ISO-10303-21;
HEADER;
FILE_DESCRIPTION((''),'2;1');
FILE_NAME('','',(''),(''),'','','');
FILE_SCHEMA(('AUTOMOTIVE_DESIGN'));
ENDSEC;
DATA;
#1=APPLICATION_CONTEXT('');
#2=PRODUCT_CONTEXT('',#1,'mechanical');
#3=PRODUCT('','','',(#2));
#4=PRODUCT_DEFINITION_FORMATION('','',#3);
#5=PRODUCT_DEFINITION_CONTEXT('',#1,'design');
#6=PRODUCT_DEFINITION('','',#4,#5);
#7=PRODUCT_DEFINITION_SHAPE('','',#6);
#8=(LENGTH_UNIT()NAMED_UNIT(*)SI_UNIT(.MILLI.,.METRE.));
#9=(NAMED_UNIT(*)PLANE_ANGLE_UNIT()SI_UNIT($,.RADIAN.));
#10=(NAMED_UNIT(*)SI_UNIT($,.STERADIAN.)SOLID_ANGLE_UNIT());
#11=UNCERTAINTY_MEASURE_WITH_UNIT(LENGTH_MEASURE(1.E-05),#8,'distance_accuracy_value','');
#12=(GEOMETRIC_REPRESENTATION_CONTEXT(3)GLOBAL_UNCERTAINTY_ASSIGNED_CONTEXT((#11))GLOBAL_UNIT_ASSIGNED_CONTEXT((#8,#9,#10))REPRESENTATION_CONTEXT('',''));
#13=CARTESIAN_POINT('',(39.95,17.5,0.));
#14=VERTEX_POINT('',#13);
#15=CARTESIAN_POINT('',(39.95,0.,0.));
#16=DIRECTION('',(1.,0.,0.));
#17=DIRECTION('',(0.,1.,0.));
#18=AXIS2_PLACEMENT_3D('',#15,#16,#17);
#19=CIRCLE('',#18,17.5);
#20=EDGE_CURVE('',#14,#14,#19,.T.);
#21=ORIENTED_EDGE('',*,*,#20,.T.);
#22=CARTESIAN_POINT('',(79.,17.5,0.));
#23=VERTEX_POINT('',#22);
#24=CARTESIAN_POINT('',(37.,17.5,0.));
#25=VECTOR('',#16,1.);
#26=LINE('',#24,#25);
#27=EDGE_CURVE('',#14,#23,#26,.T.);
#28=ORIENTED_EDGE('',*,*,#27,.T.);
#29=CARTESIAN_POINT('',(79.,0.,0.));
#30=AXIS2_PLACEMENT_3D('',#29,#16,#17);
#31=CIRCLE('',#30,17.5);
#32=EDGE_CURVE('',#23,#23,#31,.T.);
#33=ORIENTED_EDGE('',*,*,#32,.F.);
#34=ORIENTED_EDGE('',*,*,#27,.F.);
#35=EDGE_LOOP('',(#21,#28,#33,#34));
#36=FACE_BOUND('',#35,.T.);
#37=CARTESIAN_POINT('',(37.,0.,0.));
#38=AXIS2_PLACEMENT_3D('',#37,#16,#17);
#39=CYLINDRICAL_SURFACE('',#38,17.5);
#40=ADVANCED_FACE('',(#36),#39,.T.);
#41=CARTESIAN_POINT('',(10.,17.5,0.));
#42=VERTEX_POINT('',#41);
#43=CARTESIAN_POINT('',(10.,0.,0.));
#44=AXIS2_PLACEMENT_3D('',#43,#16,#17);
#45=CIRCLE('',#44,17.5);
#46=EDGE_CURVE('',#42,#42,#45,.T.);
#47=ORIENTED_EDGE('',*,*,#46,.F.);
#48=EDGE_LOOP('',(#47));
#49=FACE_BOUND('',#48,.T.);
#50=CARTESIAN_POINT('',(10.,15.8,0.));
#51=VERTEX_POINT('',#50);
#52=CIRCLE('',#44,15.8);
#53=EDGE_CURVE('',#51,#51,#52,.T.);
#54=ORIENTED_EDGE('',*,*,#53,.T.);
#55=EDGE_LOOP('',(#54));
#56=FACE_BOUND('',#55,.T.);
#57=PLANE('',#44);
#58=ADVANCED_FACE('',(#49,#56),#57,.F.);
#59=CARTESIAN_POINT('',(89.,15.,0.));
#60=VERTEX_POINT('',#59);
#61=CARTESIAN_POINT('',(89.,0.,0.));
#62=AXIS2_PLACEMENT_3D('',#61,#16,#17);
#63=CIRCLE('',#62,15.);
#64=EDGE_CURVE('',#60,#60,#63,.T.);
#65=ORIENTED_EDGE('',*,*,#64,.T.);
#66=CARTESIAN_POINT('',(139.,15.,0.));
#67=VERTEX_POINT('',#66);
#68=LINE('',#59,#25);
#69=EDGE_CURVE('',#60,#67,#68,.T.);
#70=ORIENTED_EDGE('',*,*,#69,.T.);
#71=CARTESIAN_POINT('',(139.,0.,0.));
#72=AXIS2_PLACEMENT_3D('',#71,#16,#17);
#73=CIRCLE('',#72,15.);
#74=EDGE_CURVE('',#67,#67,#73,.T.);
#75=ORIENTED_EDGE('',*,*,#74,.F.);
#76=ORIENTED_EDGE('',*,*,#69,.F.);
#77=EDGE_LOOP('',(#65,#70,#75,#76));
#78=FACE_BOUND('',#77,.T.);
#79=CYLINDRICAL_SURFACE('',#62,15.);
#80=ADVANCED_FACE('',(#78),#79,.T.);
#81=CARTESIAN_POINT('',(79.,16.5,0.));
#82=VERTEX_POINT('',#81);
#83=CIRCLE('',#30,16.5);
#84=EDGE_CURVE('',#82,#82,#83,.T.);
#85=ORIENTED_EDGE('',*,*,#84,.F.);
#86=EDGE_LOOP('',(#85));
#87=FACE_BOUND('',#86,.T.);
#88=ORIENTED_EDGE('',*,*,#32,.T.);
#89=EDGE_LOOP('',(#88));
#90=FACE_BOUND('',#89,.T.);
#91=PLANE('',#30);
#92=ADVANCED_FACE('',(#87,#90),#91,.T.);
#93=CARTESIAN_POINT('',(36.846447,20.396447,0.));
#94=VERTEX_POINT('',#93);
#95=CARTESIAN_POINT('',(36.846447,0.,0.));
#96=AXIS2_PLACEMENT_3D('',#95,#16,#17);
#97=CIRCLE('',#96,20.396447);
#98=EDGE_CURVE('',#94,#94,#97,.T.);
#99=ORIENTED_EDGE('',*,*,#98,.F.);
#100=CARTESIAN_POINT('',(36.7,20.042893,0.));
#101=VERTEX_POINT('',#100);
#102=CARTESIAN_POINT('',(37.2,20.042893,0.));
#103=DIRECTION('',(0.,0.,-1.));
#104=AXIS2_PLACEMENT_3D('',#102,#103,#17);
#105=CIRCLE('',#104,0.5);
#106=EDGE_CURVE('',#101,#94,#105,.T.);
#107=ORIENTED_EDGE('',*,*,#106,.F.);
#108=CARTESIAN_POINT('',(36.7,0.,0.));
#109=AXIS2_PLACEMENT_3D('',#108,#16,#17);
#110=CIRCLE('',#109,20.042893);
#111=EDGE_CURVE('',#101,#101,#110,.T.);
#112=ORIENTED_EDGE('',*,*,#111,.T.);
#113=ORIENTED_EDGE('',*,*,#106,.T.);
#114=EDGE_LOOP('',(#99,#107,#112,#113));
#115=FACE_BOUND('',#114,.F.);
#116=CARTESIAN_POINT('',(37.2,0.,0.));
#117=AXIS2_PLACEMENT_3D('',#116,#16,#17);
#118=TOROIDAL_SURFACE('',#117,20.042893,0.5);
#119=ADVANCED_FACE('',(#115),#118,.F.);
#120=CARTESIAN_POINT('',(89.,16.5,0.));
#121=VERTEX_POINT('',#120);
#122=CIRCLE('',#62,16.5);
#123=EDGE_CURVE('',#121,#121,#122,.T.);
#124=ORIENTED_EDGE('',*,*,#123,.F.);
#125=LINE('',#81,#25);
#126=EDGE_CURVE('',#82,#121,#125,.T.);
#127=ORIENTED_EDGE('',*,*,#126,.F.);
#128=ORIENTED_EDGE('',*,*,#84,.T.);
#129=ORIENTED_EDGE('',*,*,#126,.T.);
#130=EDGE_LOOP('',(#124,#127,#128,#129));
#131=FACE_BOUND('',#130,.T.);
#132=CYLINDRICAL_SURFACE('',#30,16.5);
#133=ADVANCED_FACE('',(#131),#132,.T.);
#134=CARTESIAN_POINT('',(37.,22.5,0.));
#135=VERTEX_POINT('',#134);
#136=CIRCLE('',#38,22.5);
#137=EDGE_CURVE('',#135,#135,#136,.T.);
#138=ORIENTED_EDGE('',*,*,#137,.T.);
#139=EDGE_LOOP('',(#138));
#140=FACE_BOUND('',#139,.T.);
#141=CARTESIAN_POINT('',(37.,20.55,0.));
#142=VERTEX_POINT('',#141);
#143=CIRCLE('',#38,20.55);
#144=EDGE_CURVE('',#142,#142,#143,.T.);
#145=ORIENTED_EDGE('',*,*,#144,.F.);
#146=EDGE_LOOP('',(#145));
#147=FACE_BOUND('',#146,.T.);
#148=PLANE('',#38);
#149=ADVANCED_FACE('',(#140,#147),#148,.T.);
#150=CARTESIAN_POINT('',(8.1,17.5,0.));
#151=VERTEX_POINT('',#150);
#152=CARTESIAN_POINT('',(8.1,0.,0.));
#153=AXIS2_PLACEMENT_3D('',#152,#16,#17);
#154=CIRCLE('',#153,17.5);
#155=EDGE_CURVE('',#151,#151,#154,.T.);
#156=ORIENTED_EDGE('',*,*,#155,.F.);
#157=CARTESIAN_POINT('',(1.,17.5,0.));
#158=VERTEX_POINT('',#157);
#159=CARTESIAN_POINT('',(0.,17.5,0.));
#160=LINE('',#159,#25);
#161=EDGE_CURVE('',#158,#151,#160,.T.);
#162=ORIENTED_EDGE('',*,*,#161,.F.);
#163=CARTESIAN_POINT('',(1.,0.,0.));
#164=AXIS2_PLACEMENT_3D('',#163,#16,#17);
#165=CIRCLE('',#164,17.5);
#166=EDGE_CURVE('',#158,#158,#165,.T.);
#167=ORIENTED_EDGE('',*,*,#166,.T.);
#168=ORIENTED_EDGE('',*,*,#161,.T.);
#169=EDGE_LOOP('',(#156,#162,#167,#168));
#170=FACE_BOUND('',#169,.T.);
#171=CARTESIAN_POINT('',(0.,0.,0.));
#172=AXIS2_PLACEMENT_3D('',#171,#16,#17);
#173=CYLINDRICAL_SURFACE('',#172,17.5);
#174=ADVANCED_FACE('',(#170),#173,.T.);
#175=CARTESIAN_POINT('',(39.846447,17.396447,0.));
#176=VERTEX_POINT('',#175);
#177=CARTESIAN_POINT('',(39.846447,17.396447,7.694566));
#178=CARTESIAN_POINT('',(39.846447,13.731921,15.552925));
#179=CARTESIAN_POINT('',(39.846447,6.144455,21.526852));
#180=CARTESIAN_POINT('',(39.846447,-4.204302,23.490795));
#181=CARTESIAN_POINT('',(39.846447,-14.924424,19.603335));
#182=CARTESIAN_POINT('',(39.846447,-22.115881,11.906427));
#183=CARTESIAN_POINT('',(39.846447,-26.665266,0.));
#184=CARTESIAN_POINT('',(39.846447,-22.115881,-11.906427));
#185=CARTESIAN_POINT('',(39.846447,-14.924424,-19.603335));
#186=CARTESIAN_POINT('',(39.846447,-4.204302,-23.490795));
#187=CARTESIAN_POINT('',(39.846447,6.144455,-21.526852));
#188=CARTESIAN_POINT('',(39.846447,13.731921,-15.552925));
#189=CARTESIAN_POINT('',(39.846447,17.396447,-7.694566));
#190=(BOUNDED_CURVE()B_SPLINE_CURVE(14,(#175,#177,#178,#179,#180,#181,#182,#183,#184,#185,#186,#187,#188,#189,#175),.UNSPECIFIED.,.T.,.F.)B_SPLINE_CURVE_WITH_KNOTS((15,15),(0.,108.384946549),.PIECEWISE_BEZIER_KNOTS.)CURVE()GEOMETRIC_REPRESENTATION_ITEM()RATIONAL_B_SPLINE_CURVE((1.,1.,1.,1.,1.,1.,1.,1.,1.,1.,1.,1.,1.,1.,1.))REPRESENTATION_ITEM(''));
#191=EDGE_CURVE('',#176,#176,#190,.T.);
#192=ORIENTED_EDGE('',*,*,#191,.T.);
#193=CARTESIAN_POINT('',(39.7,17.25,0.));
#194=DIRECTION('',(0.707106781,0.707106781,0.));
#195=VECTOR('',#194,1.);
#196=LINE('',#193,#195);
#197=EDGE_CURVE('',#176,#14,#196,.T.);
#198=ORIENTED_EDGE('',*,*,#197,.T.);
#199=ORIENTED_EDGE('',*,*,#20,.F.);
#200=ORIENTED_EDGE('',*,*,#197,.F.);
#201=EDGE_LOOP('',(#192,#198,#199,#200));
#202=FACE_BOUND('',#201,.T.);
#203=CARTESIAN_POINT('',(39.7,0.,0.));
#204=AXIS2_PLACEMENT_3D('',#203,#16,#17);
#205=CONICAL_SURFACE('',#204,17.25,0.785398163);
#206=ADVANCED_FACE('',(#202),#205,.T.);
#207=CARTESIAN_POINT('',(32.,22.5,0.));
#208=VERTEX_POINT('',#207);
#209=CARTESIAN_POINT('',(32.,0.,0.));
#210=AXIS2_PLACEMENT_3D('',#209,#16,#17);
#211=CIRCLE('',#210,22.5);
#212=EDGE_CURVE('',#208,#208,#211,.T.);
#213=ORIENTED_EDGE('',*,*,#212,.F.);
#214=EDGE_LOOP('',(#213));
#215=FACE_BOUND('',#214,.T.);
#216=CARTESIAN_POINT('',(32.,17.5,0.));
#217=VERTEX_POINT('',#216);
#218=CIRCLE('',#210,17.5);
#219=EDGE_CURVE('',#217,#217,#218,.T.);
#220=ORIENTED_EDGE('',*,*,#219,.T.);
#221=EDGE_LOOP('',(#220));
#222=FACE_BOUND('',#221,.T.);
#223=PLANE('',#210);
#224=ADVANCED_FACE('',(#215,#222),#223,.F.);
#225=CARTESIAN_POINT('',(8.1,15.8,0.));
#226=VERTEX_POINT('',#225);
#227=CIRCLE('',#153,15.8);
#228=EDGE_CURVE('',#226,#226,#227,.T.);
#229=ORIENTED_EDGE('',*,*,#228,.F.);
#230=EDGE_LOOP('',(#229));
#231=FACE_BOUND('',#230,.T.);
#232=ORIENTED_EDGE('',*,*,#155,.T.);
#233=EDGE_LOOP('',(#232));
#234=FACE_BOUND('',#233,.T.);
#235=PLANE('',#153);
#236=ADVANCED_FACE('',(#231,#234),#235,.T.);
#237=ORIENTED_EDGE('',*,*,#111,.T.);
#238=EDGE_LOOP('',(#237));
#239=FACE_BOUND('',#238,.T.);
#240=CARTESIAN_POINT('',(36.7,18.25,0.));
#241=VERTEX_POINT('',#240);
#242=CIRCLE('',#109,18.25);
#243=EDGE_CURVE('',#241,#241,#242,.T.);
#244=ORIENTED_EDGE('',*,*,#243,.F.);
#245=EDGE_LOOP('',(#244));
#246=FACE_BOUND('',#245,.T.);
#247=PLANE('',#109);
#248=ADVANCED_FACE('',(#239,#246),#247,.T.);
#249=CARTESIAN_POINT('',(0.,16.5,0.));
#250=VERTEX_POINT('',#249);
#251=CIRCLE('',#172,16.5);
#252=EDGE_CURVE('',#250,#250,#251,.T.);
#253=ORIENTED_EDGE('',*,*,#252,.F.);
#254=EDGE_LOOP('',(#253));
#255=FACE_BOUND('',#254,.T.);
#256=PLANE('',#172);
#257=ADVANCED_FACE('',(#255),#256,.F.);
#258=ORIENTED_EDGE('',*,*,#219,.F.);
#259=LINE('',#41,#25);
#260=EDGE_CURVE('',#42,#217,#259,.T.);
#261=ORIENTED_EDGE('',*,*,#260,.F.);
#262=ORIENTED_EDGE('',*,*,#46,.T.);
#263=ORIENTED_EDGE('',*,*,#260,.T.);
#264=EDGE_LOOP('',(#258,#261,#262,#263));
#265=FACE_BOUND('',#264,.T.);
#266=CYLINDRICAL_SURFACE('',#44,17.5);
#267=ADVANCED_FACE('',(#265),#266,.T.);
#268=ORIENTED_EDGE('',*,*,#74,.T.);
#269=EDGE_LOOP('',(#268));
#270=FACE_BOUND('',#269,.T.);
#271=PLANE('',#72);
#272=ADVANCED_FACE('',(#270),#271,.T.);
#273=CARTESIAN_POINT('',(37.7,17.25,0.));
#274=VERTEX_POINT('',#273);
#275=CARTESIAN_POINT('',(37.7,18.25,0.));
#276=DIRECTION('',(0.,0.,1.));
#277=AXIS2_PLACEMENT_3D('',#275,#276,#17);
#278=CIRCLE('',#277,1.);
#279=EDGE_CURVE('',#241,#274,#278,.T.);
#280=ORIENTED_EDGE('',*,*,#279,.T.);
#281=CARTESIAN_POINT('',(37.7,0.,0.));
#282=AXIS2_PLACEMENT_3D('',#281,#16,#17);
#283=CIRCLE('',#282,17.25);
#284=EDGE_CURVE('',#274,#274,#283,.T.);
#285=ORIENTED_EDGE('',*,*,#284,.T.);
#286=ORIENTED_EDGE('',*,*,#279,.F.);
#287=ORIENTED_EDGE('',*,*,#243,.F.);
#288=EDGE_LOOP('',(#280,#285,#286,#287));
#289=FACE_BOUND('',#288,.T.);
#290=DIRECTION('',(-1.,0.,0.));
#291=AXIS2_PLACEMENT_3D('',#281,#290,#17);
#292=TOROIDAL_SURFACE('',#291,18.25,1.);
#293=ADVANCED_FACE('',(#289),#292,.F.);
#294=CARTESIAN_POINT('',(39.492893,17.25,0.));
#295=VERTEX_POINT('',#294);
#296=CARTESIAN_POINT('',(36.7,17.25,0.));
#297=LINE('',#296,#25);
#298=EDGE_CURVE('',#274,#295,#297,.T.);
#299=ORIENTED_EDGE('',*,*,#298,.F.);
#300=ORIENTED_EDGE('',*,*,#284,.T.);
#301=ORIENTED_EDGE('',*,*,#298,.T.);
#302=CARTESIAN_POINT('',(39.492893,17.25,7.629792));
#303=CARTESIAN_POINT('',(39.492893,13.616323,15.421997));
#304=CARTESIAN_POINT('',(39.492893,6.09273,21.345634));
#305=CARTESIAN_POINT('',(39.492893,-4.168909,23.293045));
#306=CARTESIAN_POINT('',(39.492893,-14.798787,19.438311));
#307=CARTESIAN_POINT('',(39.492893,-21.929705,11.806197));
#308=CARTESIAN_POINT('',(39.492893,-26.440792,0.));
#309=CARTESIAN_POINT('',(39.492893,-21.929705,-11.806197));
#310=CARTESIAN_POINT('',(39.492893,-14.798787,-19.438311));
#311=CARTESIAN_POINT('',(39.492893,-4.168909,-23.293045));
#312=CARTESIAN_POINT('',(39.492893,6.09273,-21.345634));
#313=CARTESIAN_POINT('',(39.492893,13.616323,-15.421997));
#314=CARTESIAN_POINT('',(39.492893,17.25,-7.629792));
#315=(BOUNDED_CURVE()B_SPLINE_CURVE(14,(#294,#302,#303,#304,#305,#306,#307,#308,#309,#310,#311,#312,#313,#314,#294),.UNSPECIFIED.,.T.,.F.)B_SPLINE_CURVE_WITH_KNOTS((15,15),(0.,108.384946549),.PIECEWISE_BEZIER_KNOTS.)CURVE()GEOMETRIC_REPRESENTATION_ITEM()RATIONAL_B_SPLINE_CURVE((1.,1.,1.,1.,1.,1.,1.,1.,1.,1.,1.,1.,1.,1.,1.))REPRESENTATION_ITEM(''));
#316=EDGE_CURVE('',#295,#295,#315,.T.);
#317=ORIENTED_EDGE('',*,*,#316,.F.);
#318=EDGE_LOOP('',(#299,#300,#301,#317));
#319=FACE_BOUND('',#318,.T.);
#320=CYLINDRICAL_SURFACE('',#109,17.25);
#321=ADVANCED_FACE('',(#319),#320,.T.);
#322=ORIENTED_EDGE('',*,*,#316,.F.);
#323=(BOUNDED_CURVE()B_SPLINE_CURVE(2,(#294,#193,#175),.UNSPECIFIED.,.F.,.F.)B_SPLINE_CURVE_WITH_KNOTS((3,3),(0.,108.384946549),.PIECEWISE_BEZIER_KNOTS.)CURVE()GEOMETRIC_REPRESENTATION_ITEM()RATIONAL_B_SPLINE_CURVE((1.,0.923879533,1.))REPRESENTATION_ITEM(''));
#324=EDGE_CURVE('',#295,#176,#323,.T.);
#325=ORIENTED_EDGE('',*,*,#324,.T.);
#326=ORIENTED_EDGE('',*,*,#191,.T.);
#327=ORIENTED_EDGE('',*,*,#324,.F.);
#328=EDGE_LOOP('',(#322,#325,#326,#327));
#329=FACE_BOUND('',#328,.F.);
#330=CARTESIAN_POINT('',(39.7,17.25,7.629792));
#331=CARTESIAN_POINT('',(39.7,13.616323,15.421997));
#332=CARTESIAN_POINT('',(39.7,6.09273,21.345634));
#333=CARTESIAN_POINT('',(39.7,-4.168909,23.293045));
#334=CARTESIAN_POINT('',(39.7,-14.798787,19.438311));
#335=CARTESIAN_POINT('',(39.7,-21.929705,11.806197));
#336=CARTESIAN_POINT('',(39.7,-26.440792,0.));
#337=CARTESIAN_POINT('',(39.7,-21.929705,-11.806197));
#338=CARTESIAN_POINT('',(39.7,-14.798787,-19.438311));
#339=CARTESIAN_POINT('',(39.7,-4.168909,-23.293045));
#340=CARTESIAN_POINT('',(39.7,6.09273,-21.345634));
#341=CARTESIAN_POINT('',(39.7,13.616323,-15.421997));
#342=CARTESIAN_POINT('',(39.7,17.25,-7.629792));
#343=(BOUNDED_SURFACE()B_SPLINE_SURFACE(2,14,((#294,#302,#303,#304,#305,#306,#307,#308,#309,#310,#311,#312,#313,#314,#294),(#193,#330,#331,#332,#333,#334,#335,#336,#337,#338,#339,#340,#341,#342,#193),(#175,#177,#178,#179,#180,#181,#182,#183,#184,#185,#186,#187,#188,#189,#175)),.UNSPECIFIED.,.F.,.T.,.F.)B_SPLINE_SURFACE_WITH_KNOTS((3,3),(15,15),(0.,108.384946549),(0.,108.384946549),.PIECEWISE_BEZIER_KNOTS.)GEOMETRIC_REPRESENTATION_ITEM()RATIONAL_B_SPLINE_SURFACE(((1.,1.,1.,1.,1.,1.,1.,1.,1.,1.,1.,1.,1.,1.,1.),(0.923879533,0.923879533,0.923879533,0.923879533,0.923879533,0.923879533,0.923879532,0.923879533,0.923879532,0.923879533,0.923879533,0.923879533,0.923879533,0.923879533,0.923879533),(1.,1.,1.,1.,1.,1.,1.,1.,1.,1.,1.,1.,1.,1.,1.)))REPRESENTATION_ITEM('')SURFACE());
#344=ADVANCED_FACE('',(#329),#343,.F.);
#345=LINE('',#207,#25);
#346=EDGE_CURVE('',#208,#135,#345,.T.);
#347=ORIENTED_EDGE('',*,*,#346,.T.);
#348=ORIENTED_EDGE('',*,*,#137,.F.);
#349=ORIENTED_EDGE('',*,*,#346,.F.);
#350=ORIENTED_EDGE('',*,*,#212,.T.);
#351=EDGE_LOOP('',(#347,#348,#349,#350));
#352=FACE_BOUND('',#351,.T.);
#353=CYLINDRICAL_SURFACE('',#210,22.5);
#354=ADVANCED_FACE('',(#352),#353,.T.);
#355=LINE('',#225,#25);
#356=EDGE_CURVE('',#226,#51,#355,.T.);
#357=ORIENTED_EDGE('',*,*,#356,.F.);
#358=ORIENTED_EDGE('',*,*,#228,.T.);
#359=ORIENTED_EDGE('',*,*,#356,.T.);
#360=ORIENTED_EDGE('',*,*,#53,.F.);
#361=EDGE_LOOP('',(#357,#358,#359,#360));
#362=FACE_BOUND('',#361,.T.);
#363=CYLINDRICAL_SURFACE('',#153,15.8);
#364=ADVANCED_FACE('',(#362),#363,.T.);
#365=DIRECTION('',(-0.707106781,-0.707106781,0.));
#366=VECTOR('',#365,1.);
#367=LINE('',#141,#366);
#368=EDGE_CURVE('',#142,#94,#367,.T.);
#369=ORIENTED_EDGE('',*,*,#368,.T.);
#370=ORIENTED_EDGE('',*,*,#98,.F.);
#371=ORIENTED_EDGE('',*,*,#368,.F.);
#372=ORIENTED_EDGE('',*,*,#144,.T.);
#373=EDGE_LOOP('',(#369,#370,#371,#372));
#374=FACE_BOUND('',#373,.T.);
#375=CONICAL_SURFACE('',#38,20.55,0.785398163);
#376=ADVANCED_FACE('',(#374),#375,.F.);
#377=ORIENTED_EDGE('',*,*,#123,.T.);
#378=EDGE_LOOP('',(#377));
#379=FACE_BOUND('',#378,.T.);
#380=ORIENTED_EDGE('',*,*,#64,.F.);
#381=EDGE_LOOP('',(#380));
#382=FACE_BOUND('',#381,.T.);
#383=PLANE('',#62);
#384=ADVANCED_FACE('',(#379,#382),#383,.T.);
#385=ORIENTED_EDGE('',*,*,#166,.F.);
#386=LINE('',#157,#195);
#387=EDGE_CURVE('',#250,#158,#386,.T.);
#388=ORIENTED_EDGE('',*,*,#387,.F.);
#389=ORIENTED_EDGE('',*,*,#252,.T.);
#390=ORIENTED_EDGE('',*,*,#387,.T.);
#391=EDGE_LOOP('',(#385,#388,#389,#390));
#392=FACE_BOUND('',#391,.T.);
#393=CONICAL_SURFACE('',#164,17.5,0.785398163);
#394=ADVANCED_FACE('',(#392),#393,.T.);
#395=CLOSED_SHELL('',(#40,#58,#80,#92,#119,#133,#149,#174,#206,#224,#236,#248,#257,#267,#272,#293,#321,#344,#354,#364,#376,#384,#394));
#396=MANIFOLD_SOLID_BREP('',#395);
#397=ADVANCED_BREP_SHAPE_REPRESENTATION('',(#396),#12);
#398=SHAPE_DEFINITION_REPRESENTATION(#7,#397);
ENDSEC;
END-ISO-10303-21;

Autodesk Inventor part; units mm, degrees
ref_plane "YZ Plane" through (0, 0, 0) normal (1, 0, 0) x (0, 1, 0)
ref_plane "XZ Plane" through (0, 0, 0) normal (0, 1, 0) x (-1, 0, 0)
ref_plane "XY Plane" through (0, 0, 0) normal (0, 0, 1) x (1, 0, 0)
sketch "Эскиз1" plane through (0, 0, 0) normal (0, 0, 1) x (1, 0, 0)
  line L0 (0, 0) -> (0, 17.5)
  line L1 (0, 17.5) -> (8.1, 17.5)
  line L2 (8.1, 17.5) -> (8.1, 15.8)
  line L3 (8.1, 15.8) -> (10, 15.8)
  line L4 (10, 15.8) -> (10, 17.5)
  line L5 (10, 17.5) -> (32, 17.5)
  line L6 (32, 17.5) -> (32, 22.5)
  line L7 (32, 22.5) -> (37, 22.5)
  line L8 (37, 22.5) -> (37, 17.5)
  line L9 (37, 17.5) -> (79, 17.5)
  line L10 (79, 17.5) -> (79, 16.5)
  line L11 (79, 16.5) -> (89, 16.5)
  line L12 (89, 16.5) -> (89, 15)
  line L13 (89, 15) -> (139, 15)
  line L14 (139, 15) -> (139, 0)
  line L15 (139, 0) -> (0, 0)
  line L16 (-27.8, 0) -> (166.8, 0) construction
  line L17 (0, -4.5) -> (0, 27) construction
  point P0 (0, 0)
  dimension "d1" = 1.9
  dimension "d2" = 10
  dimension "d3" = 22
  dimension "d4" = 5
  dimension "d5" = 42
  dimension "d6" = 10
  dimension "d7" = 50
  dimension "d12" = 0
  dimension "d13" = 1.7
  dimension "d14" = 0
  dimension "d16" = 35
  dimension "d17" = 45
  dimension "d18" = 33
  dimension "d20" = 30
revolve "Вращение1" add sketch "Эскиз1" angle 360 about axis through (-10, 0, 0) along (1, 0, 0)
thread "Резьба1" size "M33x1.5" class "6g" standard "ANSI Metric M Profile" full length
chamfer "Фаска1" distance 1 angle 45 1 edges at (0, -17.5, 0)
sketch "Эскиз2" plane through (0, 0, 0) normal (0, 0, 1) x (1, 0, 0)
  line L0 (37, 17.5) -> (79, 17.5) construction
  line L1 (37, -22.5) -> (37, 22.5) construction
  line L2 (37, 20.55) -> (36.7, 20.25)
  line L3 (36.7, 20.25) -> (36.7, 17.25)
  line L4 (36.7, 17.25) -> (39.7, 17.25)
  line L5 (39.7, 17.25) -> (39.95, 17.5)
  line L6 (37, 20.55) -> (39.95, 20.55)
  line L7 (39.95, 20.55) -> (39.95, 17.5)
  line L8 (-27.8, 0) -> (166.8, 0) projected
  point P0 (0, 0)
  dimension "d27" = 45
  dimension "d28" = 45
  dimension "d29" = 3
  dimension "d31" = 0.3
  dimension "d32" = 0.25
revolve "Вращение2" cut sketch "Эскиз2" angle 360 about axis through (-10, 0, 0) along (1, 0, 0)
fillet "Сопряжение1" radius 1 1 edges at (36.7, -17.25, 0)
fillet "Сопряжение2" radius 0.5 1 edges at (36.7, -20.25, 0)
fillet "Сопряжение3" radius 0.5 1 edges at (39.7, -17.25, 0)
properties part number "big"
